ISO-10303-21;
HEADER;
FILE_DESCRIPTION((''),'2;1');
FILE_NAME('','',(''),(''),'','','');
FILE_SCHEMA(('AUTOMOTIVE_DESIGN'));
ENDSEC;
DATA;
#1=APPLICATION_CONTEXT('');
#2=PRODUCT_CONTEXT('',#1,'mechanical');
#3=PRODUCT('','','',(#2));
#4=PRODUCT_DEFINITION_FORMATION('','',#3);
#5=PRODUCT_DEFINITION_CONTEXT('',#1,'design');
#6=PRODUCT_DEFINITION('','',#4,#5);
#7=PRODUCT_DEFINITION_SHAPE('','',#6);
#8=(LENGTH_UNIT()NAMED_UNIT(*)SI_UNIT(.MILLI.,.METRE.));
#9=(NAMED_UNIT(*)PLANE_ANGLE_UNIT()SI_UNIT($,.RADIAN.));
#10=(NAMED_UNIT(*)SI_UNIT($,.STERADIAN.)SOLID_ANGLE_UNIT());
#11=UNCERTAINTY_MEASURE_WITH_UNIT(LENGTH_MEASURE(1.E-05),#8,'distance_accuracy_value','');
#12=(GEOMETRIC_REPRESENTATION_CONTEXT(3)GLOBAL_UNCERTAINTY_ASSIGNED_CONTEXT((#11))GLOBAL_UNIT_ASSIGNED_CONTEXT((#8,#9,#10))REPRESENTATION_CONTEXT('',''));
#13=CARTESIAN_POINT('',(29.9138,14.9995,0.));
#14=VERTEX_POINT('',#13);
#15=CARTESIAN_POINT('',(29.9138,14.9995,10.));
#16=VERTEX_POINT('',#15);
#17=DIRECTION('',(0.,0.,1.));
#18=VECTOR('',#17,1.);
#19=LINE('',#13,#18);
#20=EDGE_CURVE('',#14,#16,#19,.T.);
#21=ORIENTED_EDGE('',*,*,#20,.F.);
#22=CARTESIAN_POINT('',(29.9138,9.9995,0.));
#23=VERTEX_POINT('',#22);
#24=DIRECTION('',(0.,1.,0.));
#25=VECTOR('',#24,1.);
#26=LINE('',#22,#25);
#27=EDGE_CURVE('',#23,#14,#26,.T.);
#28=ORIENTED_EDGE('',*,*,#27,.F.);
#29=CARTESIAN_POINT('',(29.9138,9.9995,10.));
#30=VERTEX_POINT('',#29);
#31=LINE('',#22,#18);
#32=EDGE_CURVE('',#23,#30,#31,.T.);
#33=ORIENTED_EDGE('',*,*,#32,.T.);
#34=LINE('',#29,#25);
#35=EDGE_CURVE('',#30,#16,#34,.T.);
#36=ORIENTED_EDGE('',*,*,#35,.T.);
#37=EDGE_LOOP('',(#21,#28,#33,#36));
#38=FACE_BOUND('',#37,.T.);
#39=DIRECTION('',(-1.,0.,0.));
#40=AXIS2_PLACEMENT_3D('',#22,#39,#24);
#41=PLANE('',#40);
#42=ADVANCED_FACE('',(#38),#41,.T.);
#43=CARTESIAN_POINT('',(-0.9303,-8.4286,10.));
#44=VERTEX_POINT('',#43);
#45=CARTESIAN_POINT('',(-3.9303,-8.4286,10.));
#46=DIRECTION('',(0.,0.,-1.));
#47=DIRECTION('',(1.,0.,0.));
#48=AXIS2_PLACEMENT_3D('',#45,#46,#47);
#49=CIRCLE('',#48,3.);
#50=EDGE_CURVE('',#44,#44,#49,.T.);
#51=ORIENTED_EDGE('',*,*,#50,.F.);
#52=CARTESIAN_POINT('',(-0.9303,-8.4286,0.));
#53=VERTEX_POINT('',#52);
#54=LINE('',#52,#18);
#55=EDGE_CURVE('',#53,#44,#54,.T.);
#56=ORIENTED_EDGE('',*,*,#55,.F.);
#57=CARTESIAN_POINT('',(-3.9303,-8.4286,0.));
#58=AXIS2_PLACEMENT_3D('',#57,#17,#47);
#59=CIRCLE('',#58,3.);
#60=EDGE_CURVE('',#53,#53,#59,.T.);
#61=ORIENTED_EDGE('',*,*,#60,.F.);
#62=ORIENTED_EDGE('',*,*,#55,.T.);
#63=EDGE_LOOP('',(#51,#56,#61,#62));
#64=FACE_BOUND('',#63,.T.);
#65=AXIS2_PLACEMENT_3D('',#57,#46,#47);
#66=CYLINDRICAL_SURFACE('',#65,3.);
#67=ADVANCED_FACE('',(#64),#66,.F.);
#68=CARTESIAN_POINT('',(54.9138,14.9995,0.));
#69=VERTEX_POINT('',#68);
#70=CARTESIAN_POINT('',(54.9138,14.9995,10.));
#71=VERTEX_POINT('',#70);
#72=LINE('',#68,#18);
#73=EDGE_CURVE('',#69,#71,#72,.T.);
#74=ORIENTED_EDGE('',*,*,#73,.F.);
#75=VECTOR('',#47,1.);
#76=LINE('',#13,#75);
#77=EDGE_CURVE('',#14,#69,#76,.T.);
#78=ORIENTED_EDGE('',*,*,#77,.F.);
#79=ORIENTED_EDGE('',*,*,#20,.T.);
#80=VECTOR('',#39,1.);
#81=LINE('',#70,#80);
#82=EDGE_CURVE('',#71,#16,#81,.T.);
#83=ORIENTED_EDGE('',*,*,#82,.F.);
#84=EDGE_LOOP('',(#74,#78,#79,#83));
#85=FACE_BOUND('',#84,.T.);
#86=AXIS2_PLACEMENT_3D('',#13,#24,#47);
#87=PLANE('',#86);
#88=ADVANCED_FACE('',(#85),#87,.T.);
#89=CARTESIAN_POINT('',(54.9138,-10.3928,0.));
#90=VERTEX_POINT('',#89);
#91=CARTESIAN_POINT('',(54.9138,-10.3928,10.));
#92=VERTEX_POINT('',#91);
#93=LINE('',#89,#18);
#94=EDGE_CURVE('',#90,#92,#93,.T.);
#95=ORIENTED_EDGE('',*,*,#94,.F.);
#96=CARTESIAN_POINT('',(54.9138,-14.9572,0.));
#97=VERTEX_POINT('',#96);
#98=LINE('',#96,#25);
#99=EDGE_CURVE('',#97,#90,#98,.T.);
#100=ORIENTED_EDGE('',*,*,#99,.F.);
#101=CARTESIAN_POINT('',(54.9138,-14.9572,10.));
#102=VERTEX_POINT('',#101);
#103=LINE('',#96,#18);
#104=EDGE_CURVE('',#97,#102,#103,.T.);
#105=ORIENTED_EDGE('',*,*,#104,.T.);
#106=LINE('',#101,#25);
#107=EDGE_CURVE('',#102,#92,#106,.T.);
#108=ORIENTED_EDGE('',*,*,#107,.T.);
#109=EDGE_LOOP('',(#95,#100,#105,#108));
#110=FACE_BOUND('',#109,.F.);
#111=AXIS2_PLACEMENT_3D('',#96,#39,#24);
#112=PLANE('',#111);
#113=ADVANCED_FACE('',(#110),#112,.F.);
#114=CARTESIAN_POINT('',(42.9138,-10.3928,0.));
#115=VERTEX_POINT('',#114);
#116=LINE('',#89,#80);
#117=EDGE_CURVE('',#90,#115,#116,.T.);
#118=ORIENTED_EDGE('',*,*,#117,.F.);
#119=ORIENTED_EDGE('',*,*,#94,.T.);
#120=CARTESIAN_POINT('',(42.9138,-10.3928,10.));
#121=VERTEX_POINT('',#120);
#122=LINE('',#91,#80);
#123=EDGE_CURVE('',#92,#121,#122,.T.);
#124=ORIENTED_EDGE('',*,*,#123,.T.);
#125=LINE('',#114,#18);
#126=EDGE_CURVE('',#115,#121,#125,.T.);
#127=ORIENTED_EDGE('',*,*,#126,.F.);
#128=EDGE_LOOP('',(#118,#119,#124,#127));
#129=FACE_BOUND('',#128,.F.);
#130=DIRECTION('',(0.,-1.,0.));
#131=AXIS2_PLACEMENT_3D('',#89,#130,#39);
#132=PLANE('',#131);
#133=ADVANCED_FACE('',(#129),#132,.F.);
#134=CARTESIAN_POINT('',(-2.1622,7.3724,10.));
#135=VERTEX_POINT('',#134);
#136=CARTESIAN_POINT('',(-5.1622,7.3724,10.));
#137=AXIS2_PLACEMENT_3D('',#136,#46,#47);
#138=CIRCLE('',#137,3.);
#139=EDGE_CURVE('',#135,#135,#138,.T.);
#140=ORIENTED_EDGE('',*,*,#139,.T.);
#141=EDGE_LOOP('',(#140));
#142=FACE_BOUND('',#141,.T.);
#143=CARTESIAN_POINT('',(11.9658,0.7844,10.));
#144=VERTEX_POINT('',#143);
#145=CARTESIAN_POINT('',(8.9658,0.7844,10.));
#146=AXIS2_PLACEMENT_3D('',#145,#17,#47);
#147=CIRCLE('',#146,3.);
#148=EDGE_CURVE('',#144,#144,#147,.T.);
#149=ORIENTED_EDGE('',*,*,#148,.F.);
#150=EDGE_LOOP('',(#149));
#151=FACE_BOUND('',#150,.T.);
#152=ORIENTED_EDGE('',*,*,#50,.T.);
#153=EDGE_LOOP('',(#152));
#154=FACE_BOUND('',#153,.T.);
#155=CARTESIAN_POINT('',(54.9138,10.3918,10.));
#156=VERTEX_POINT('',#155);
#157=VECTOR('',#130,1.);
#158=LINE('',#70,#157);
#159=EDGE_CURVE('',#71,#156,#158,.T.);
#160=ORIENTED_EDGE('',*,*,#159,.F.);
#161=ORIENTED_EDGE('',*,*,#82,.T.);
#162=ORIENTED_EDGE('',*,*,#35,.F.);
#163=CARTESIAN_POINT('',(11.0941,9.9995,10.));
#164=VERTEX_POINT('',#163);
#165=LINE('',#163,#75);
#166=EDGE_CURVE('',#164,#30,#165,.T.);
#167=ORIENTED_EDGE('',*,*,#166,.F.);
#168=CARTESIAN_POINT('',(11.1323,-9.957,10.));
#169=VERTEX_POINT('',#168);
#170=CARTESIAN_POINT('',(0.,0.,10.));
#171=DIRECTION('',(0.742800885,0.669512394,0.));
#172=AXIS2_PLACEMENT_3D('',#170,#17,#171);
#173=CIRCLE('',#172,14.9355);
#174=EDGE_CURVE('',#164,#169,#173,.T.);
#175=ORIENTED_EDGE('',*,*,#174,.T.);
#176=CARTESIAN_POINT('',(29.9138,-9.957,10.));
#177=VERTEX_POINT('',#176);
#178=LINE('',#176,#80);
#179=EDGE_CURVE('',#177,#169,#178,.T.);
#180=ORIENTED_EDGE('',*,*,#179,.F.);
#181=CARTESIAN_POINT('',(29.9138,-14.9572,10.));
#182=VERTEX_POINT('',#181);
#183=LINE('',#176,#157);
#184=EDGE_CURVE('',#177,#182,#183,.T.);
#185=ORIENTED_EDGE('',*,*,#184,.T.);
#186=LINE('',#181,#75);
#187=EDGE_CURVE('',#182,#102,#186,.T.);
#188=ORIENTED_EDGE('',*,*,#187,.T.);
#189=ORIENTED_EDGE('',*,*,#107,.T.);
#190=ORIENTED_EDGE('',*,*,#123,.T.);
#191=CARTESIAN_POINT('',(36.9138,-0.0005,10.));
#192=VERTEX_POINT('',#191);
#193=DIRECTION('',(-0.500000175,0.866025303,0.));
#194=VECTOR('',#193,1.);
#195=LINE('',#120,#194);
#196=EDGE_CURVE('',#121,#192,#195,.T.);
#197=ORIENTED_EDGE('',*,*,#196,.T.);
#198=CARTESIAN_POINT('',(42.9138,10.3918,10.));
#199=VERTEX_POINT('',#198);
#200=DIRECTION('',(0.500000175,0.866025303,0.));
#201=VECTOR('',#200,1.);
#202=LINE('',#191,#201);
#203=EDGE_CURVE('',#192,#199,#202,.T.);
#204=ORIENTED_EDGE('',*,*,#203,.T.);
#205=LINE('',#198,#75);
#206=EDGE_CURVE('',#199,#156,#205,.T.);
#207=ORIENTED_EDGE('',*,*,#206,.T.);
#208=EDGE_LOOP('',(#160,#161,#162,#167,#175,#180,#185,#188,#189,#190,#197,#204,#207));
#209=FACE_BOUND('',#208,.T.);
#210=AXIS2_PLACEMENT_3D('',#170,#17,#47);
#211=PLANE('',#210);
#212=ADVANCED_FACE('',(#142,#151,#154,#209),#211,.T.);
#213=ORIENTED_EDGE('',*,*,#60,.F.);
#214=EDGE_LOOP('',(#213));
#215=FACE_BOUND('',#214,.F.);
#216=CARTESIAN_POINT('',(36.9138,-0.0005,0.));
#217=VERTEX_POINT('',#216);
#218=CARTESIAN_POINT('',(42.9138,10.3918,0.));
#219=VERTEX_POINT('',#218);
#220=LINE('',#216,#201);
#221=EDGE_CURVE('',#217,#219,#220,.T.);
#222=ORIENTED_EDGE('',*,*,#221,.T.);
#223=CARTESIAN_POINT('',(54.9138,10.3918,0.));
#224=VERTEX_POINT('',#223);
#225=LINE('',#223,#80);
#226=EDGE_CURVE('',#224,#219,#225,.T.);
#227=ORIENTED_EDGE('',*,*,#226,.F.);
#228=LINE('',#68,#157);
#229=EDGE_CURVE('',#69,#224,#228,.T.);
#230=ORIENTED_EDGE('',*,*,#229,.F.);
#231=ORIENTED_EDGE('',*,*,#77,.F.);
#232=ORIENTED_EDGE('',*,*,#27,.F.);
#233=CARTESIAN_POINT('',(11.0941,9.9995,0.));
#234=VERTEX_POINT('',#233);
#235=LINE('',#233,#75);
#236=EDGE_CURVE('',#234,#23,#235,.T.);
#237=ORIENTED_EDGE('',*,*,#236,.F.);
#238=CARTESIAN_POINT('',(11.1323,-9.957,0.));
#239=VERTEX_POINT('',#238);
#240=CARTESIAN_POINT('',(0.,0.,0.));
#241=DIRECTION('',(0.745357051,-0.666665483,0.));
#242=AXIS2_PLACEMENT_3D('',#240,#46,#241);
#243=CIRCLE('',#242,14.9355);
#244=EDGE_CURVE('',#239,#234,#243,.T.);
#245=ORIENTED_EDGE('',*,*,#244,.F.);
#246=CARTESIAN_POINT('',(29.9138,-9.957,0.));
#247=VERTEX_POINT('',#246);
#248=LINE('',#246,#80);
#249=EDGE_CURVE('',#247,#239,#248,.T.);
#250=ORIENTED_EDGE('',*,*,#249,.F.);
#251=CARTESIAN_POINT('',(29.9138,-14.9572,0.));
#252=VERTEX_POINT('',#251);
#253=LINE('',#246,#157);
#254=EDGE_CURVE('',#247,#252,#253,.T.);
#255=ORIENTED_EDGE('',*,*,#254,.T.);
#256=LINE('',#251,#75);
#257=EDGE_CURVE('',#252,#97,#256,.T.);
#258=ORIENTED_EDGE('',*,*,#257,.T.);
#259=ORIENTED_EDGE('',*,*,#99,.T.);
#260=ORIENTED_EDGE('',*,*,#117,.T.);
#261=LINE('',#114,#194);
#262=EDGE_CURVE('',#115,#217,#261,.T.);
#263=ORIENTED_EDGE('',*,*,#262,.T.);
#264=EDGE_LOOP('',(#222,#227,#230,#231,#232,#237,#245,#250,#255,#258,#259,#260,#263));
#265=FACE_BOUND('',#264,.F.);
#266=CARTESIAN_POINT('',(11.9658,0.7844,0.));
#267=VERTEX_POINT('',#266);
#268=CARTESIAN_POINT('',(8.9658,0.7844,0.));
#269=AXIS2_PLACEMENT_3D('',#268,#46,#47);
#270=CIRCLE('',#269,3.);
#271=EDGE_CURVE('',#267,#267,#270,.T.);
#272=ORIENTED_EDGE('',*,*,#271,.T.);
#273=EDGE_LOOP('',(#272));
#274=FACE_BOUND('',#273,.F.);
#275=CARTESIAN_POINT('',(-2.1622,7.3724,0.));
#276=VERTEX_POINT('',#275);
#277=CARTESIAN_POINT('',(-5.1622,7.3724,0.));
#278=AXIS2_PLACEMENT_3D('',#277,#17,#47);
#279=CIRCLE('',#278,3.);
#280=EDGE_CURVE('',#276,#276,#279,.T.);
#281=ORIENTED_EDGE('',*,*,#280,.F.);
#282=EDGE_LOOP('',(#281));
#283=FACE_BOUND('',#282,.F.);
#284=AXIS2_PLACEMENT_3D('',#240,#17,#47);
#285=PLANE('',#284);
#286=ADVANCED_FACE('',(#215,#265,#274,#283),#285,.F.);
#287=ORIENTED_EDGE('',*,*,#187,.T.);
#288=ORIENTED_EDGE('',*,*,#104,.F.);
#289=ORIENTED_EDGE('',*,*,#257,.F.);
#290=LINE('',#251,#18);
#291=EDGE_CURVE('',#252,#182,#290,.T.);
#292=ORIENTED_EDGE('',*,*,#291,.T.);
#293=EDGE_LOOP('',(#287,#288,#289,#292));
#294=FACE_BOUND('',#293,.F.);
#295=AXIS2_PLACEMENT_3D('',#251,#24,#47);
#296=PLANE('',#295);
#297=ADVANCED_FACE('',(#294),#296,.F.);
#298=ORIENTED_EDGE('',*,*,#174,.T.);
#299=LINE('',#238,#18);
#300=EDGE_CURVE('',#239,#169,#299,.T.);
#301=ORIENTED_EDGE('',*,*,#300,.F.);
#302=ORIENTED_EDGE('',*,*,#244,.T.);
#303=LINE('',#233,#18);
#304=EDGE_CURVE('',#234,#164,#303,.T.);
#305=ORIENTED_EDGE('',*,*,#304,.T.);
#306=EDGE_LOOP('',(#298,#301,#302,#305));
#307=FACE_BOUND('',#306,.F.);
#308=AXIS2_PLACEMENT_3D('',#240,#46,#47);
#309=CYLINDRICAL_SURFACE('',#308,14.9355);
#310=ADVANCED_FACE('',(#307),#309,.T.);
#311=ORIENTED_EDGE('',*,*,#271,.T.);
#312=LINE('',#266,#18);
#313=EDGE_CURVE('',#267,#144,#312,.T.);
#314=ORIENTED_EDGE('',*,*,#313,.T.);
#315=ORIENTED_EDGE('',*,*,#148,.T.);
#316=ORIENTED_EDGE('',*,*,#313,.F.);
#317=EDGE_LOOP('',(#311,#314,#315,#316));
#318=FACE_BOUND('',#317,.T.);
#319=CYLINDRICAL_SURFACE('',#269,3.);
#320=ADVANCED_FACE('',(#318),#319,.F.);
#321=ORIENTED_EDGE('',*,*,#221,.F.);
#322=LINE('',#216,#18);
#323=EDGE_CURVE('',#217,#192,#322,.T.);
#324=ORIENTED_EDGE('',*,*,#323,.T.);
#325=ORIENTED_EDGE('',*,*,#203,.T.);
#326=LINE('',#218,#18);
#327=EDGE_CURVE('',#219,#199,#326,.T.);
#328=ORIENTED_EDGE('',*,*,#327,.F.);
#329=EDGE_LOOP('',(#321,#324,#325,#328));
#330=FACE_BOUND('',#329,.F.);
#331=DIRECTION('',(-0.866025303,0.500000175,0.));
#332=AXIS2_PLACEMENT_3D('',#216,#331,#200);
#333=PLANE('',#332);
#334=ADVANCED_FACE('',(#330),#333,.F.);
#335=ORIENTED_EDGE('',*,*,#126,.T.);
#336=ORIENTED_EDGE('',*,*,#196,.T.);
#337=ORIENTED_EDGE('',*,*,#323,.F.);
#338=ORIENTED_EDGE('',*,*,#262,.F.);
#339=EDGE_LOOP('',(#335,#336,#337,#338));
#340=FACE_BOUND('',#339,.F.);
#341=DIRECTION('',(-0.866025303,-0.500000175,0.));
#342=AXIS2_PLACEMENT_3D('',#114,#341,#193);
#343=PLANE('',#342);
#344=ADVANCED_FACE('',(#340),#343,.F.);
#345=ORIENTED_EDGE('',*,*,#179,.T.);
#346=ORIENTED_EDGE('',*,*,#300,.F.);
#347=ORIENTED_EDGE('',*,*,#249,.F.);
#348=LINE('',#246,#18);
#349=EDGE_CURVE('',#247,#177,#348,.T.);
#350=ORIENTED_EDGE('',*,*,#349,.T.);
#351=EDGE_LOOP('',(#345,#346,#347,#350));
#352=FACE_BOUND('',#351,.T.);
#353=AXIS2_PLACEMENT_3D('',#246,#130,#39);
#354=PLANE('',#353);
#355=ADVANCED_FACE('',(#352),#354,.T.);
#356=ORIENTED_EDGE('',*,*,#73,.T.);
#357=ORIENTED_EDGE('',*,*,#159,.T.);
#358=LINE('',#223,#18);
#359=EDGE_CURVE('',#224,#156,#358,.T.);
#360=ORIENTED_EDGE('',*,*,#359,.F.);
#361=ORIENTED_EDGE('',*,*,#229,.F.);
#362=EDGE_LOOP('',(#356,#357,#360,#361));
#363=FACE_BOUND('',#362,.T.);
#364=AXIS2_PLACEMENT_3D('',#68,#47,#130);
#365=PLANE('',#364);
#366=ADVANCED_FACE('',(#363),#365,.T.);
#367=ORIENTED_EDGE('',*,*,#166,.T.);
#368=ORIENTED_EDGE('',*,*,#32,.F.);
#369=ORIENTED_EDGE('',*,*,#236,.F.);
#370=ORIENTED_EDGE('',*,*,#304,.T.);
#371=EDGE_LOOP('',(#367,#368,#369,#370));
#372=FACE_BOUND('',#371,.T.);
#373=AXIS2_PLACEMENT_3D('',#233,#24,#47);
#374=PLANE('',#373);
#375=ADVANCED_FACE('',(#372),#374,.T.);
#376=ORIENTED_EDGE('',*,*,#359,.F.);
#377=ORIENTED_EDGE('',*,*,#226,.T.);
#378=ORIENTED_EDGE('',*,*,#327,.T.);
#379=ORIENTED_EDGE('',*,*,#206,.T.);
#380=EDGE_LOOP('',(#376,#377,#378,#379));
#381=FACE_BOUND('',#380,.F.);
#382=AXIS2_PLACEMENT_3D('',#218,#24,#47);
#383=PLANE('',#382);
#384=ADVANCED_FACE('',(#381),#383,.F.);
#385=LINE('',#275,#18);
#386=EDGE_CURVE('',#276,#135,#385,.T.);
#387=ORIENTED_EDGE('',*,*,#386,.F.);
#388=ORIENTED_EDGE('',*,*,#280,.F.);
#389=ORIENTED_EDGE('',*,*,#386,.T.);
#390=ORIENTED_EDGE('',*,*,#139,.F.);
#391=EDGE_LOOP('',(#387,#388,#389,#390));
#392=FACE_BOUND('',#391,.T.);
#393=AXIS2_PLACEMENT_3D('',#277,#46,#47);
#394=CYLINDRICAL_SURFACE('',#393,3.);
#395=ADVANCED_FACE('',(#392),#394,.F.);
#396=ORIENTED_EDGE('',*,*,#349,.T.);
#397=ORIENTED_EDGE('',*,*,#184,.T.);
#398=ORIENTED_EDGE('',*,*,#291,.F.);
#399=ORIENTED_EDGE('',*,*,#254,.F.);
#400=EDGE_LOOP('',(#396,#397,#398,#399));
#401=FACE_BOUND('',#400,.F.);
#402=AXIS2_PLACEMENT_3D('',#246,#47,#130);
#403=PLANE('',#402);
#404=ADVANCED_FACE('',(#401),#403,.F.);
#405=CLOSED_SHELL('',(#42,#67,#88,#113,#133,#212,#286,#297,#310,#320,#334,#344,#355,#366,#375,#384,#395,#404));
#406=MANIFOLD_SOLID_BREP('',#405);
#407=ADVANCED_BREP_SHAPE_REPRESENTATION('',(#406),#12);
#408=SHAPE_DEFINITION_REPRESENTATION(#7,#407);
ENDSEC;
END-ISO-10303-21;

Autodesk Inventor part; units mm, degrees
ref_plane "YZ Plane" through (0, 0, 0) normal (1, 0, 0) x (0, 1, 0)
ref_plane "XZ Plane" through (0, 0, 0) normal (0, 1, 0) x (-1, 0, 0)
ref_plane "XY Plane" through (0, 0, 0) normal (0, 0, 1) x (1, 0, 0)
sketch "Эскиз1" plane through (0, 0, 0) normal (0, 0, 1) x (1, 0, 0)
  point P0 (0, 0)
sketch "Эскиз2" plane through (0, 0, 0) normal (0, 0, 1) x (1, 0, 0)
  circle A0 centre (0, 0) radius 9
  circle A1 centre (0, 0) radius 14.9355
  line L0 (29.9138, -9.957) -> (11.1323, -9.957)
  line L1 (11.0941, 9.9995) -> (29.9138, 9.9995)
  line L2 (11.0941, 9.9995) -> (29.9138, 9.9995)
  line L3 (29.9138, 9.9995) -> (29.9138, 14.9995)
  line L4 (29.9138, 14.9995) -> (54.9138, 14.9995)
  line L5 (29.9138, -9.957) -> (29.9138, -14.9572)
  line L6 (29.9138, -14.9572) -> (54.9138, -14.9572)
  line L7 (-18.0074, -0.0005) -> (54.9138, -0.0005)
  line L8 (54.9138, 14.9995) -> (48.9138, 14.9995)
  line L9 (48.9138, 14.9995) -> (48.9138, -8.0243)
  line L10 (42.9138, 10.3918) -> (54.9138, 10.3918)
  line L11 (54.9138, -10.3928) -> (42.9138, -10.3928)
  line L12 (42.9138, -10.3928) -> (36.9138, -0.0005)
  line L13 (36.9138, -0.0005) -> (42.9138, 10.3918)
  line L14 (54.9138, 14.9995) -> (54.9138, 10.3918)
  line L15 (54.9138, -14.9572) -> (54.9138, -10.3928)
  line L16 (0, 0) -> (22.1205, 0) construction
  line L17 (0, 0) -> (18.5985, 0) construction
  line L18 (0, 0) -> (18.6696, 0) construction
  line L19 (0, 0) -> (12.4111, 0) construction
  circle A2 centre (-5.1622, 7.3724) radius 3
  circle A3 centre (-3.9303, -8.4286) radius 3
  circle A4 centre (8.9658, 0.7844) radius 3
  point P0 (48.9138, -0.0005)
  point P1 (48.9138, -0.0005)
  point P2 (48.9138, -0.0005)
extrude "Выдавливание1" add sketch "Эскиз2" along normal blind 10 contours A4 L7 A0 A2 | A0 A2 L7 A1 A4 | A4 L7 A1 A0 A3 | A0 A3 L7 A4 | L7 L12 L11 L15 L6 L5 L0 A1 | A1 L1 L3 L4 L9 L10 L13 L7 | L9 L4 L14 L10
